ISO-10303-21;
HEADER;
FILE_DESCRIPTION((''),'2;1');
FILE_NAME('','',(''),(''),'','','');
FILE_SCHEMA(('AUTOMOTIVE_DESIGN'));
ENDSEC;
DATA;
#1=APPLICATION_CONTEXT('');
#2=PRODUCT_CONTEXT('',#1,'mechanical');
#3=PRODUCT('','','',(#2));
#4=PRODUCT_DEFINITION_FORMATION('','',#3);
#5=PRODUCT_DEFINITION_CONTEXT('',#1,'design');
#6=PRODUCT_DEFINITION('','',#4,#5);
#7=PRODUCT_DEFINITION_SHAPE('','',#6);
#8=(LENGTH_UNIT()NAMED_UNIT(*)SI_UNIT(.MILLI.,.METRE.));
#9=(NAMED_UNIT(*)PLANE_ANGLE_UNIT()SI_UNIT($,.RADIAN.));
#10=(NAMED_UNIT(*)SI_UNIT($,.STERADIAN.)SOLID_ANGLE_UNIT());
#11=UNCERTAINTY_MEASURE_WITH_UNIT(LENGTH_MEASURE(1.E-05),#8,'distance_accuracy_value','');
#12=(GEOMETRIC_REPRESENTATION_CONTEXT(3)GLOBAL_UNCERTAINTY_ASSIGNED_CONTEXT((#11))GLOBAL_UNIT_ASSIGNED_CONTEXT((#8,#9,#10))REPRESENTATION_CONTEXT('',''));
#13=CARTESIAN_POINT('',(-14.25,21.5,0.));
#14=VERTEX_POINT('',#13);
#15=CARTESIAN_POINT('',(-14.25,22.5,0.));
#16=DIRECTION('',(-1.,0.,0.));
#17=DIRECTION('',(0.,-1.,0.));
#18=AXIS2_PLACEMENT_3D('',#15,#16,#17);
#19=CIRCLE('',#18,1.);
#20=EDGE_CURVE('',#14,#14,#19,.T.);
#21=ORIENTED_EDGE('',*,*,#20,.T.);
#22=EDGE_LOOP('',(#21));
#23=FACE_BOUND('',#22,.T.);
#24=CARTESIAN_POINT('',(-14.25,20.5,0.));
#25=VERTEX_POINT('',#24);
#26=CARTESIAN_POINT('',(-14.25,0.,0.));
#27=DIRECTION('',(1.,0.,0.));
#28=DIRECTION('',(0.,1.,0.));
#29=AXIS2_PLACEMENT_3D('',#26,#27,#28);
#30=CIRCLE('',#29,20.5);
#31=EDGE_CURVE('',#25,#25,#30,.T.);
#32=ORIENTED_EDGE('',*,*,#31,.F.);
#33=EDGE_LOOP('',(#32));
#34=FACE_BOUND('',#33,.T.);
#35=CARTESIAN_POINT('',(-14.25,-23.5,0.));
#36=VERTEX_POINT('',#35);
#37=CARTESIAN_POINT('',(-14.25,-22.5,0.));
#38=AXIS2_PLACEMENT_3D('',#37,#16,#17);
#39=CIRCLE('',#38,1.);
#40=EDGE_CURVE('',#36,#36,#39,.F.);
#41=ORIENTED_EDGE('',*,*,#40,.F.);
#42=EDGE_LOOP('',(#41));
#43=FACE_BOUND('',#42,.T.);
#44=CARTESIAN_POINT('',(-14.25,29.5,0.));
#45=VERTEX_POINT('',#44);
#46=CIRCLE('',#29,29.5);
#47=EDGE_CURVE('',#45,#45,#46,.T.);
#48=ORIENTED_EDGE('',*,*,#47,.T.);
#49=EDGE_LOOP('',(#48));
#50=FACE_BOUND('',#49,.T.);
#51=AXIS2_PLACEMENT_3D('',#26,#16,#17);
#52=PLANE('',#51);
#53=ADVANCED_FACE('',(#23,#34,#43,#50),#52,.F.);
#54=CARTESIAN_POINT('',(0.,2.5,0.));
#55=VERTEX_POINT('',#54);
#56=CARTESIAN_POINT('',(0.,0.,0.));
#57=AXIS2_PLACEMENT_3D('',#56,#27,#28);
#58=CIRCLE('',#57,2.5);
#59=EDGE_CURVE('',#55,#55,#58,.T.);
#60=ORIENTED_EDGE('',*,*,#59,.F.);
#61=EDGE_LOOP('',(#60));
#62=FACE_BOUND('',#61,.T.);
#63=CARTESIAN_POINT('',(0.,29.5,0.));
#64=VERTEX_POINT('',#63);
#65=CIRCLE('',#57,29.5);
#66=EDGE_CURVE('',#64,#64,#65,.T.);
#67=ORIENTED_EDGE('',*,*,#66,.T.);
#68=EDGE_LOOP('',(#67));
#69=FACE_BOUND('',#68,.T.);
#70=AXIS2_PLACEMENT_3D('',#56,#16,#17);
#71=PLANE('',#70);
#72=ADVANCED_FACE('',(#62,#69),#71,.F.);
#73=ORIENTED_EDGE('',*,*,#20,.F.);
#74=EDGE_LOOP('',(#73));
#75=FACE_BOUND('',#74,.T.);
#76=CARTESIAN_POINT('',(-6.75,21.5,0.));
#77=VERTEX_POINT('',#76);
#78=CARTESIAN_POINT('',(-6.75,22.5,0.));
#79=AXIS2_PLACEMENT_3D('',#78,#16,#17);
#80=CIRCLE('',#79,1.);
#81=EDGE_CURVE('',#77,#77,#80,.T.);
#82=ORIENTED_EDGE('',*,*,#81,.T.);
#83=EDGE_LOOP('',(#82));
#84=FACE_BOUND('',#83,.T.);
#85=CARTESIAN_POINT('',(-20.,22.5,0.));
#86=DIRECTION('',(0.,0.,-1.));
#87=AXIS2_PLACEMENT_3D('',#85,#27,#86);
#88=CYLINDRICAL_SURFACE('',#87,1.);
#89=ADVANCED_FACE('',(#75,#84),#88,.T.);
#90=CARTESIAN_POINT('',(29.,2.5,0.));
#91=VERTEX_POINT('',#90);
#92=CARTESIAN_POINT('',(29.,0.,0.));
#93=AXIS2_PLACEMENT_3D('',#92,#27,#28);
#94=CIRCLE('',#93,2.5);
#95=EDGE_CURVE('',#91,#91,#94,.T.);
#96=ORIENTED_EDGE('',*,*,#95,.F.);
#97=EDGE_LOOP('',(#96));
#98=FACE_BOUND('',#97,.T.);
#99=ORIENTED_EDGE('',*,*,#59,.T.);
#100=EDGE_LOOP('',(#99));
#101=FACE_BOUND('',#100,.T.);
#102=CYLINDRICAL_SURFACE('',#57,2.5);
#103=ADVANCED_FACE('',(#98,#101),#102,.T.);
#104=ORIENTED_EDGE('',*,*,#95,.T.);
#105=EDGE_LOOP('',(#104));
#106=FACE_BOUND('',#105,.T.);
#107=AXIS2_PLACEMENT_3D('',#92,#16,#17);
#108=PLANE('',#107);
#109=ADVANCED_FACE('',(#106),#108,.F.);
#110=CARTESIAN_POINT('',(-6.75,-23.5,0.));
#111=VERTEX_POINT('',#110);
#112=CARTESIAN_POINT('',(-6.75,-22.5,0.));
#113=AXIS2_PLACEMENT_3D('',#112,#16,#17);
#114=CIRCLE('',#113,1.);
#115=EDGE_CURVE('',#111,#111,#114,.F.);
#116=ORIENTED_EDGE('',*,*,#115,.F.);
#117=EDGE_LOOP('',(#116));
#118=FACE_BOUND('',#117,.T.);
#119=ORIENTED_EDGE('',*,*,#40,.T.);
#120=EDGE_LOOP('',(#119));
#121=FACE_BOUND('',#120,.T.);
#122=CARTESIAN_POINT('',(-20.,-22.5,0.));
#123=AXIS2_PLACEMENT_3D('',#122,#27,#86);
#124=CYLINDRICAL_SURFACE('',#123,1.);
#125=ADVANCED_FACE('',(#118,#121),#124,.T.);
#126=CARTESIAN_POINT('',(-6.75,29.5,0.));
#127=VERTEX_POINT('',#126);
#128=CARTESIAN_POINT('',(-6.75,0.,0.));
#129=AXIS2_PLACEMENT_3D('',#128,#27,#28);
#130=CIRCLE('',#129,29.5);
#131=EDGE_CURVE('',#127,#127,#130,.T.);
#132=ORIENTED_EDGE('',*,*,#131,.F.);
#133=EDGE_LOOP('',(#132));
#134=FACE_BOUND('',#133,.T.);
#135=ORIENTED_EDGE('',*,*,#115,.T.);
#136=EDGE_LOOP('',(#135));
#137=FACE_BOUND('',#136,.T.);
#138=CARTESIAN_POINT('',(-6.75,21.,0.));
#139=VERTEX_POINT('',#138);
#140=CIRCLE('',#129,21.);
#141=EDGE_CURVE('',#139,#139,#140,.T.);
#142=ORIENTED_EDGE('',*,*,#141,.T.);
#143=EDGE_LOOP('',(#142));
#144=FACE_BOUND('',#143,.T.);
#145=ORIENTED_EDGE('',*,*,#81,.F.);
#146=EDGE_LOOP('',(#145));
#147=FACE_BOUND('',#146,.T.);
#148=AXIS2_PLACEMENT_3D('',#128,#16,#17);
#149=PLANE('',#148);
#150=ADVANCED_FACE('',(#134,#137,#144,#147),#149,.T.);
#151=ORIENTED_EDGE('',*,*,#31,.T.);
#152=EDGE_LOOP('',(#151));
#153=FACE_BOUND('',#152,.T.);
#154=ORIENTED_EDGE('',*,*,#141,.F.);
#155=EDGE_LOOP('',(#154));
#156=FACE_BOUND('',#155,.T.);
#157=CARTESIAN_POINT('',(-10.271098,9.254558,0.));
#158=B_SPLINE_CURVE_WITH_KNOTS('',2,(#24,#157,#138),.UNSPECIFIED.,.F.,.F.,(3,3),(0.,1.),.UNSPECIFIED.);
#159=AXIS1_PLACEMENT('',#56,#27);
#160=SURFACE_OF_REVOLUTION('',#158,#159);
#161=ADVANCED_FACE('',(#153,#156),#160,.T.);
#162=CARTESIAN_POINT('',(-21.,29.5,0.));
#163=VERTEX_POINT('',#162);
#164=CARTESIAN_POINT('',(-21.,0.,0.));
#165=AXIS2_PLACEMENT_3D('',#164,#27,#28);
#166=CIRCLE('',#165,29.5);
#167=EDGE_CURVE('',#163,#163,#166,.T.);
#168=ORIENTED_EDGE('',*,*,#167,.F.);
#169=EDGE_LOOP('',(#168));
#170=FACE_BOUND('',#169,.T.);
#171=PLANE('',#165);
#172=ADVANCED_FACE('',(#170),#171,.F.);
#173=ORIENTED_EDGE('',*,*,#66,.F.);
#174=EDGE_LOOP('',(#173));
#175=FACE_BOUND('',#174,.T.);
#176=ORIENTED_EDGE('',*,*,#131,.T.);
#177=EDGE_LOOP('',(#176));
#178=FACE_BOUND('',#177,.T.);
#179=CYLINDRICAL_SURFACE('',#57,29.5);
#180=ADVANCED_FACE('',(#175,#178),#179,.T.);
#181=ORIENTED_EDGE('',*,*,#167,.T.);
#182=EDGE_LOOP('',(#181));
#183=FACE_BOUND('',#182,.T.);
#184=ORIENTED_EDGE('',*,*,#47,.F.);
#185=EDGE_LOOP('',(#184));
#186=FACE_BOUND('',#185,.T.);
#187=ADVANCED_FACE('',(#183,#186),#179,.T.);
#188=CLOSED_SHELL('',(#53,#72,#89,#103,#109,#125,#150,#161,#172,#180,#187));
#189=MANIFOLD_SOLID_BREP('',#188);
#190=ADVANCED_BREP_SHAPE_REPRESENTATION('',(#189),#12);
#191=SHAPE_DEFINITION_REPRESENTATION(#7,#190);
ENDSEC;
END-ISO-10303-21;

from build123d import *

# Parameters (mm, degrees)
SKETCH_1_W      = 29
SKETCH_1_H      = 2.5
SKETCH_2_R      = 1
EXTRUDE_1_DEPTH = 20


with BuildPart() as part:
    # 草图1 → 旋转1 (revolve)
    with BuildSketch(Plane.XY):
        with BuildLine():
            add(Edge.make_bspline(
                [(-14.25, 20.5), (-10.271097928, 9.254557994), (-6.75, 21)],
                knots=[0, 0, 0, 1, 1, 1], degree=2))
            Line((-6.75, 21), (-6.75, 29.5))
            Line((-6.75, 29.5), (0, 29.5))
            Line((0, 29.5), (0, 0))
            Line((0, 0), (-21, 0))
            Line((-21, 0), (-21, 29.5))
            Line((-21, 29.5), (-14.25, 29.5))
            Line((-14.25, 29.5), (-14.25, 20.5))
        make_face()
        with Locations((14.5, 1.25)):
            Rectangle(SKETCH_1_W, SKETCH_1_H)
    revolve(axis=Axis((0, 0, 0), (-1, 0, 0)))

    # 草图2 → 凸台-拉伸1 (add)
    with BuildSketch(Plane(origin=(0, 0, 0), x_dir=(0, 0, -1), z_dir=(1, 0, 0))):
        with Locations(Location((0, 22.5, 0), (0, 0, 270))):
            Circle(SKETCH_2_R)
        with Locations(Location((0, -22.5, 0), (0, 0, 270))):
            Circle(SKETCH_2_R)
    extrude(amount=-EXTRUDE_1_DEPTH)


solid = part.part
